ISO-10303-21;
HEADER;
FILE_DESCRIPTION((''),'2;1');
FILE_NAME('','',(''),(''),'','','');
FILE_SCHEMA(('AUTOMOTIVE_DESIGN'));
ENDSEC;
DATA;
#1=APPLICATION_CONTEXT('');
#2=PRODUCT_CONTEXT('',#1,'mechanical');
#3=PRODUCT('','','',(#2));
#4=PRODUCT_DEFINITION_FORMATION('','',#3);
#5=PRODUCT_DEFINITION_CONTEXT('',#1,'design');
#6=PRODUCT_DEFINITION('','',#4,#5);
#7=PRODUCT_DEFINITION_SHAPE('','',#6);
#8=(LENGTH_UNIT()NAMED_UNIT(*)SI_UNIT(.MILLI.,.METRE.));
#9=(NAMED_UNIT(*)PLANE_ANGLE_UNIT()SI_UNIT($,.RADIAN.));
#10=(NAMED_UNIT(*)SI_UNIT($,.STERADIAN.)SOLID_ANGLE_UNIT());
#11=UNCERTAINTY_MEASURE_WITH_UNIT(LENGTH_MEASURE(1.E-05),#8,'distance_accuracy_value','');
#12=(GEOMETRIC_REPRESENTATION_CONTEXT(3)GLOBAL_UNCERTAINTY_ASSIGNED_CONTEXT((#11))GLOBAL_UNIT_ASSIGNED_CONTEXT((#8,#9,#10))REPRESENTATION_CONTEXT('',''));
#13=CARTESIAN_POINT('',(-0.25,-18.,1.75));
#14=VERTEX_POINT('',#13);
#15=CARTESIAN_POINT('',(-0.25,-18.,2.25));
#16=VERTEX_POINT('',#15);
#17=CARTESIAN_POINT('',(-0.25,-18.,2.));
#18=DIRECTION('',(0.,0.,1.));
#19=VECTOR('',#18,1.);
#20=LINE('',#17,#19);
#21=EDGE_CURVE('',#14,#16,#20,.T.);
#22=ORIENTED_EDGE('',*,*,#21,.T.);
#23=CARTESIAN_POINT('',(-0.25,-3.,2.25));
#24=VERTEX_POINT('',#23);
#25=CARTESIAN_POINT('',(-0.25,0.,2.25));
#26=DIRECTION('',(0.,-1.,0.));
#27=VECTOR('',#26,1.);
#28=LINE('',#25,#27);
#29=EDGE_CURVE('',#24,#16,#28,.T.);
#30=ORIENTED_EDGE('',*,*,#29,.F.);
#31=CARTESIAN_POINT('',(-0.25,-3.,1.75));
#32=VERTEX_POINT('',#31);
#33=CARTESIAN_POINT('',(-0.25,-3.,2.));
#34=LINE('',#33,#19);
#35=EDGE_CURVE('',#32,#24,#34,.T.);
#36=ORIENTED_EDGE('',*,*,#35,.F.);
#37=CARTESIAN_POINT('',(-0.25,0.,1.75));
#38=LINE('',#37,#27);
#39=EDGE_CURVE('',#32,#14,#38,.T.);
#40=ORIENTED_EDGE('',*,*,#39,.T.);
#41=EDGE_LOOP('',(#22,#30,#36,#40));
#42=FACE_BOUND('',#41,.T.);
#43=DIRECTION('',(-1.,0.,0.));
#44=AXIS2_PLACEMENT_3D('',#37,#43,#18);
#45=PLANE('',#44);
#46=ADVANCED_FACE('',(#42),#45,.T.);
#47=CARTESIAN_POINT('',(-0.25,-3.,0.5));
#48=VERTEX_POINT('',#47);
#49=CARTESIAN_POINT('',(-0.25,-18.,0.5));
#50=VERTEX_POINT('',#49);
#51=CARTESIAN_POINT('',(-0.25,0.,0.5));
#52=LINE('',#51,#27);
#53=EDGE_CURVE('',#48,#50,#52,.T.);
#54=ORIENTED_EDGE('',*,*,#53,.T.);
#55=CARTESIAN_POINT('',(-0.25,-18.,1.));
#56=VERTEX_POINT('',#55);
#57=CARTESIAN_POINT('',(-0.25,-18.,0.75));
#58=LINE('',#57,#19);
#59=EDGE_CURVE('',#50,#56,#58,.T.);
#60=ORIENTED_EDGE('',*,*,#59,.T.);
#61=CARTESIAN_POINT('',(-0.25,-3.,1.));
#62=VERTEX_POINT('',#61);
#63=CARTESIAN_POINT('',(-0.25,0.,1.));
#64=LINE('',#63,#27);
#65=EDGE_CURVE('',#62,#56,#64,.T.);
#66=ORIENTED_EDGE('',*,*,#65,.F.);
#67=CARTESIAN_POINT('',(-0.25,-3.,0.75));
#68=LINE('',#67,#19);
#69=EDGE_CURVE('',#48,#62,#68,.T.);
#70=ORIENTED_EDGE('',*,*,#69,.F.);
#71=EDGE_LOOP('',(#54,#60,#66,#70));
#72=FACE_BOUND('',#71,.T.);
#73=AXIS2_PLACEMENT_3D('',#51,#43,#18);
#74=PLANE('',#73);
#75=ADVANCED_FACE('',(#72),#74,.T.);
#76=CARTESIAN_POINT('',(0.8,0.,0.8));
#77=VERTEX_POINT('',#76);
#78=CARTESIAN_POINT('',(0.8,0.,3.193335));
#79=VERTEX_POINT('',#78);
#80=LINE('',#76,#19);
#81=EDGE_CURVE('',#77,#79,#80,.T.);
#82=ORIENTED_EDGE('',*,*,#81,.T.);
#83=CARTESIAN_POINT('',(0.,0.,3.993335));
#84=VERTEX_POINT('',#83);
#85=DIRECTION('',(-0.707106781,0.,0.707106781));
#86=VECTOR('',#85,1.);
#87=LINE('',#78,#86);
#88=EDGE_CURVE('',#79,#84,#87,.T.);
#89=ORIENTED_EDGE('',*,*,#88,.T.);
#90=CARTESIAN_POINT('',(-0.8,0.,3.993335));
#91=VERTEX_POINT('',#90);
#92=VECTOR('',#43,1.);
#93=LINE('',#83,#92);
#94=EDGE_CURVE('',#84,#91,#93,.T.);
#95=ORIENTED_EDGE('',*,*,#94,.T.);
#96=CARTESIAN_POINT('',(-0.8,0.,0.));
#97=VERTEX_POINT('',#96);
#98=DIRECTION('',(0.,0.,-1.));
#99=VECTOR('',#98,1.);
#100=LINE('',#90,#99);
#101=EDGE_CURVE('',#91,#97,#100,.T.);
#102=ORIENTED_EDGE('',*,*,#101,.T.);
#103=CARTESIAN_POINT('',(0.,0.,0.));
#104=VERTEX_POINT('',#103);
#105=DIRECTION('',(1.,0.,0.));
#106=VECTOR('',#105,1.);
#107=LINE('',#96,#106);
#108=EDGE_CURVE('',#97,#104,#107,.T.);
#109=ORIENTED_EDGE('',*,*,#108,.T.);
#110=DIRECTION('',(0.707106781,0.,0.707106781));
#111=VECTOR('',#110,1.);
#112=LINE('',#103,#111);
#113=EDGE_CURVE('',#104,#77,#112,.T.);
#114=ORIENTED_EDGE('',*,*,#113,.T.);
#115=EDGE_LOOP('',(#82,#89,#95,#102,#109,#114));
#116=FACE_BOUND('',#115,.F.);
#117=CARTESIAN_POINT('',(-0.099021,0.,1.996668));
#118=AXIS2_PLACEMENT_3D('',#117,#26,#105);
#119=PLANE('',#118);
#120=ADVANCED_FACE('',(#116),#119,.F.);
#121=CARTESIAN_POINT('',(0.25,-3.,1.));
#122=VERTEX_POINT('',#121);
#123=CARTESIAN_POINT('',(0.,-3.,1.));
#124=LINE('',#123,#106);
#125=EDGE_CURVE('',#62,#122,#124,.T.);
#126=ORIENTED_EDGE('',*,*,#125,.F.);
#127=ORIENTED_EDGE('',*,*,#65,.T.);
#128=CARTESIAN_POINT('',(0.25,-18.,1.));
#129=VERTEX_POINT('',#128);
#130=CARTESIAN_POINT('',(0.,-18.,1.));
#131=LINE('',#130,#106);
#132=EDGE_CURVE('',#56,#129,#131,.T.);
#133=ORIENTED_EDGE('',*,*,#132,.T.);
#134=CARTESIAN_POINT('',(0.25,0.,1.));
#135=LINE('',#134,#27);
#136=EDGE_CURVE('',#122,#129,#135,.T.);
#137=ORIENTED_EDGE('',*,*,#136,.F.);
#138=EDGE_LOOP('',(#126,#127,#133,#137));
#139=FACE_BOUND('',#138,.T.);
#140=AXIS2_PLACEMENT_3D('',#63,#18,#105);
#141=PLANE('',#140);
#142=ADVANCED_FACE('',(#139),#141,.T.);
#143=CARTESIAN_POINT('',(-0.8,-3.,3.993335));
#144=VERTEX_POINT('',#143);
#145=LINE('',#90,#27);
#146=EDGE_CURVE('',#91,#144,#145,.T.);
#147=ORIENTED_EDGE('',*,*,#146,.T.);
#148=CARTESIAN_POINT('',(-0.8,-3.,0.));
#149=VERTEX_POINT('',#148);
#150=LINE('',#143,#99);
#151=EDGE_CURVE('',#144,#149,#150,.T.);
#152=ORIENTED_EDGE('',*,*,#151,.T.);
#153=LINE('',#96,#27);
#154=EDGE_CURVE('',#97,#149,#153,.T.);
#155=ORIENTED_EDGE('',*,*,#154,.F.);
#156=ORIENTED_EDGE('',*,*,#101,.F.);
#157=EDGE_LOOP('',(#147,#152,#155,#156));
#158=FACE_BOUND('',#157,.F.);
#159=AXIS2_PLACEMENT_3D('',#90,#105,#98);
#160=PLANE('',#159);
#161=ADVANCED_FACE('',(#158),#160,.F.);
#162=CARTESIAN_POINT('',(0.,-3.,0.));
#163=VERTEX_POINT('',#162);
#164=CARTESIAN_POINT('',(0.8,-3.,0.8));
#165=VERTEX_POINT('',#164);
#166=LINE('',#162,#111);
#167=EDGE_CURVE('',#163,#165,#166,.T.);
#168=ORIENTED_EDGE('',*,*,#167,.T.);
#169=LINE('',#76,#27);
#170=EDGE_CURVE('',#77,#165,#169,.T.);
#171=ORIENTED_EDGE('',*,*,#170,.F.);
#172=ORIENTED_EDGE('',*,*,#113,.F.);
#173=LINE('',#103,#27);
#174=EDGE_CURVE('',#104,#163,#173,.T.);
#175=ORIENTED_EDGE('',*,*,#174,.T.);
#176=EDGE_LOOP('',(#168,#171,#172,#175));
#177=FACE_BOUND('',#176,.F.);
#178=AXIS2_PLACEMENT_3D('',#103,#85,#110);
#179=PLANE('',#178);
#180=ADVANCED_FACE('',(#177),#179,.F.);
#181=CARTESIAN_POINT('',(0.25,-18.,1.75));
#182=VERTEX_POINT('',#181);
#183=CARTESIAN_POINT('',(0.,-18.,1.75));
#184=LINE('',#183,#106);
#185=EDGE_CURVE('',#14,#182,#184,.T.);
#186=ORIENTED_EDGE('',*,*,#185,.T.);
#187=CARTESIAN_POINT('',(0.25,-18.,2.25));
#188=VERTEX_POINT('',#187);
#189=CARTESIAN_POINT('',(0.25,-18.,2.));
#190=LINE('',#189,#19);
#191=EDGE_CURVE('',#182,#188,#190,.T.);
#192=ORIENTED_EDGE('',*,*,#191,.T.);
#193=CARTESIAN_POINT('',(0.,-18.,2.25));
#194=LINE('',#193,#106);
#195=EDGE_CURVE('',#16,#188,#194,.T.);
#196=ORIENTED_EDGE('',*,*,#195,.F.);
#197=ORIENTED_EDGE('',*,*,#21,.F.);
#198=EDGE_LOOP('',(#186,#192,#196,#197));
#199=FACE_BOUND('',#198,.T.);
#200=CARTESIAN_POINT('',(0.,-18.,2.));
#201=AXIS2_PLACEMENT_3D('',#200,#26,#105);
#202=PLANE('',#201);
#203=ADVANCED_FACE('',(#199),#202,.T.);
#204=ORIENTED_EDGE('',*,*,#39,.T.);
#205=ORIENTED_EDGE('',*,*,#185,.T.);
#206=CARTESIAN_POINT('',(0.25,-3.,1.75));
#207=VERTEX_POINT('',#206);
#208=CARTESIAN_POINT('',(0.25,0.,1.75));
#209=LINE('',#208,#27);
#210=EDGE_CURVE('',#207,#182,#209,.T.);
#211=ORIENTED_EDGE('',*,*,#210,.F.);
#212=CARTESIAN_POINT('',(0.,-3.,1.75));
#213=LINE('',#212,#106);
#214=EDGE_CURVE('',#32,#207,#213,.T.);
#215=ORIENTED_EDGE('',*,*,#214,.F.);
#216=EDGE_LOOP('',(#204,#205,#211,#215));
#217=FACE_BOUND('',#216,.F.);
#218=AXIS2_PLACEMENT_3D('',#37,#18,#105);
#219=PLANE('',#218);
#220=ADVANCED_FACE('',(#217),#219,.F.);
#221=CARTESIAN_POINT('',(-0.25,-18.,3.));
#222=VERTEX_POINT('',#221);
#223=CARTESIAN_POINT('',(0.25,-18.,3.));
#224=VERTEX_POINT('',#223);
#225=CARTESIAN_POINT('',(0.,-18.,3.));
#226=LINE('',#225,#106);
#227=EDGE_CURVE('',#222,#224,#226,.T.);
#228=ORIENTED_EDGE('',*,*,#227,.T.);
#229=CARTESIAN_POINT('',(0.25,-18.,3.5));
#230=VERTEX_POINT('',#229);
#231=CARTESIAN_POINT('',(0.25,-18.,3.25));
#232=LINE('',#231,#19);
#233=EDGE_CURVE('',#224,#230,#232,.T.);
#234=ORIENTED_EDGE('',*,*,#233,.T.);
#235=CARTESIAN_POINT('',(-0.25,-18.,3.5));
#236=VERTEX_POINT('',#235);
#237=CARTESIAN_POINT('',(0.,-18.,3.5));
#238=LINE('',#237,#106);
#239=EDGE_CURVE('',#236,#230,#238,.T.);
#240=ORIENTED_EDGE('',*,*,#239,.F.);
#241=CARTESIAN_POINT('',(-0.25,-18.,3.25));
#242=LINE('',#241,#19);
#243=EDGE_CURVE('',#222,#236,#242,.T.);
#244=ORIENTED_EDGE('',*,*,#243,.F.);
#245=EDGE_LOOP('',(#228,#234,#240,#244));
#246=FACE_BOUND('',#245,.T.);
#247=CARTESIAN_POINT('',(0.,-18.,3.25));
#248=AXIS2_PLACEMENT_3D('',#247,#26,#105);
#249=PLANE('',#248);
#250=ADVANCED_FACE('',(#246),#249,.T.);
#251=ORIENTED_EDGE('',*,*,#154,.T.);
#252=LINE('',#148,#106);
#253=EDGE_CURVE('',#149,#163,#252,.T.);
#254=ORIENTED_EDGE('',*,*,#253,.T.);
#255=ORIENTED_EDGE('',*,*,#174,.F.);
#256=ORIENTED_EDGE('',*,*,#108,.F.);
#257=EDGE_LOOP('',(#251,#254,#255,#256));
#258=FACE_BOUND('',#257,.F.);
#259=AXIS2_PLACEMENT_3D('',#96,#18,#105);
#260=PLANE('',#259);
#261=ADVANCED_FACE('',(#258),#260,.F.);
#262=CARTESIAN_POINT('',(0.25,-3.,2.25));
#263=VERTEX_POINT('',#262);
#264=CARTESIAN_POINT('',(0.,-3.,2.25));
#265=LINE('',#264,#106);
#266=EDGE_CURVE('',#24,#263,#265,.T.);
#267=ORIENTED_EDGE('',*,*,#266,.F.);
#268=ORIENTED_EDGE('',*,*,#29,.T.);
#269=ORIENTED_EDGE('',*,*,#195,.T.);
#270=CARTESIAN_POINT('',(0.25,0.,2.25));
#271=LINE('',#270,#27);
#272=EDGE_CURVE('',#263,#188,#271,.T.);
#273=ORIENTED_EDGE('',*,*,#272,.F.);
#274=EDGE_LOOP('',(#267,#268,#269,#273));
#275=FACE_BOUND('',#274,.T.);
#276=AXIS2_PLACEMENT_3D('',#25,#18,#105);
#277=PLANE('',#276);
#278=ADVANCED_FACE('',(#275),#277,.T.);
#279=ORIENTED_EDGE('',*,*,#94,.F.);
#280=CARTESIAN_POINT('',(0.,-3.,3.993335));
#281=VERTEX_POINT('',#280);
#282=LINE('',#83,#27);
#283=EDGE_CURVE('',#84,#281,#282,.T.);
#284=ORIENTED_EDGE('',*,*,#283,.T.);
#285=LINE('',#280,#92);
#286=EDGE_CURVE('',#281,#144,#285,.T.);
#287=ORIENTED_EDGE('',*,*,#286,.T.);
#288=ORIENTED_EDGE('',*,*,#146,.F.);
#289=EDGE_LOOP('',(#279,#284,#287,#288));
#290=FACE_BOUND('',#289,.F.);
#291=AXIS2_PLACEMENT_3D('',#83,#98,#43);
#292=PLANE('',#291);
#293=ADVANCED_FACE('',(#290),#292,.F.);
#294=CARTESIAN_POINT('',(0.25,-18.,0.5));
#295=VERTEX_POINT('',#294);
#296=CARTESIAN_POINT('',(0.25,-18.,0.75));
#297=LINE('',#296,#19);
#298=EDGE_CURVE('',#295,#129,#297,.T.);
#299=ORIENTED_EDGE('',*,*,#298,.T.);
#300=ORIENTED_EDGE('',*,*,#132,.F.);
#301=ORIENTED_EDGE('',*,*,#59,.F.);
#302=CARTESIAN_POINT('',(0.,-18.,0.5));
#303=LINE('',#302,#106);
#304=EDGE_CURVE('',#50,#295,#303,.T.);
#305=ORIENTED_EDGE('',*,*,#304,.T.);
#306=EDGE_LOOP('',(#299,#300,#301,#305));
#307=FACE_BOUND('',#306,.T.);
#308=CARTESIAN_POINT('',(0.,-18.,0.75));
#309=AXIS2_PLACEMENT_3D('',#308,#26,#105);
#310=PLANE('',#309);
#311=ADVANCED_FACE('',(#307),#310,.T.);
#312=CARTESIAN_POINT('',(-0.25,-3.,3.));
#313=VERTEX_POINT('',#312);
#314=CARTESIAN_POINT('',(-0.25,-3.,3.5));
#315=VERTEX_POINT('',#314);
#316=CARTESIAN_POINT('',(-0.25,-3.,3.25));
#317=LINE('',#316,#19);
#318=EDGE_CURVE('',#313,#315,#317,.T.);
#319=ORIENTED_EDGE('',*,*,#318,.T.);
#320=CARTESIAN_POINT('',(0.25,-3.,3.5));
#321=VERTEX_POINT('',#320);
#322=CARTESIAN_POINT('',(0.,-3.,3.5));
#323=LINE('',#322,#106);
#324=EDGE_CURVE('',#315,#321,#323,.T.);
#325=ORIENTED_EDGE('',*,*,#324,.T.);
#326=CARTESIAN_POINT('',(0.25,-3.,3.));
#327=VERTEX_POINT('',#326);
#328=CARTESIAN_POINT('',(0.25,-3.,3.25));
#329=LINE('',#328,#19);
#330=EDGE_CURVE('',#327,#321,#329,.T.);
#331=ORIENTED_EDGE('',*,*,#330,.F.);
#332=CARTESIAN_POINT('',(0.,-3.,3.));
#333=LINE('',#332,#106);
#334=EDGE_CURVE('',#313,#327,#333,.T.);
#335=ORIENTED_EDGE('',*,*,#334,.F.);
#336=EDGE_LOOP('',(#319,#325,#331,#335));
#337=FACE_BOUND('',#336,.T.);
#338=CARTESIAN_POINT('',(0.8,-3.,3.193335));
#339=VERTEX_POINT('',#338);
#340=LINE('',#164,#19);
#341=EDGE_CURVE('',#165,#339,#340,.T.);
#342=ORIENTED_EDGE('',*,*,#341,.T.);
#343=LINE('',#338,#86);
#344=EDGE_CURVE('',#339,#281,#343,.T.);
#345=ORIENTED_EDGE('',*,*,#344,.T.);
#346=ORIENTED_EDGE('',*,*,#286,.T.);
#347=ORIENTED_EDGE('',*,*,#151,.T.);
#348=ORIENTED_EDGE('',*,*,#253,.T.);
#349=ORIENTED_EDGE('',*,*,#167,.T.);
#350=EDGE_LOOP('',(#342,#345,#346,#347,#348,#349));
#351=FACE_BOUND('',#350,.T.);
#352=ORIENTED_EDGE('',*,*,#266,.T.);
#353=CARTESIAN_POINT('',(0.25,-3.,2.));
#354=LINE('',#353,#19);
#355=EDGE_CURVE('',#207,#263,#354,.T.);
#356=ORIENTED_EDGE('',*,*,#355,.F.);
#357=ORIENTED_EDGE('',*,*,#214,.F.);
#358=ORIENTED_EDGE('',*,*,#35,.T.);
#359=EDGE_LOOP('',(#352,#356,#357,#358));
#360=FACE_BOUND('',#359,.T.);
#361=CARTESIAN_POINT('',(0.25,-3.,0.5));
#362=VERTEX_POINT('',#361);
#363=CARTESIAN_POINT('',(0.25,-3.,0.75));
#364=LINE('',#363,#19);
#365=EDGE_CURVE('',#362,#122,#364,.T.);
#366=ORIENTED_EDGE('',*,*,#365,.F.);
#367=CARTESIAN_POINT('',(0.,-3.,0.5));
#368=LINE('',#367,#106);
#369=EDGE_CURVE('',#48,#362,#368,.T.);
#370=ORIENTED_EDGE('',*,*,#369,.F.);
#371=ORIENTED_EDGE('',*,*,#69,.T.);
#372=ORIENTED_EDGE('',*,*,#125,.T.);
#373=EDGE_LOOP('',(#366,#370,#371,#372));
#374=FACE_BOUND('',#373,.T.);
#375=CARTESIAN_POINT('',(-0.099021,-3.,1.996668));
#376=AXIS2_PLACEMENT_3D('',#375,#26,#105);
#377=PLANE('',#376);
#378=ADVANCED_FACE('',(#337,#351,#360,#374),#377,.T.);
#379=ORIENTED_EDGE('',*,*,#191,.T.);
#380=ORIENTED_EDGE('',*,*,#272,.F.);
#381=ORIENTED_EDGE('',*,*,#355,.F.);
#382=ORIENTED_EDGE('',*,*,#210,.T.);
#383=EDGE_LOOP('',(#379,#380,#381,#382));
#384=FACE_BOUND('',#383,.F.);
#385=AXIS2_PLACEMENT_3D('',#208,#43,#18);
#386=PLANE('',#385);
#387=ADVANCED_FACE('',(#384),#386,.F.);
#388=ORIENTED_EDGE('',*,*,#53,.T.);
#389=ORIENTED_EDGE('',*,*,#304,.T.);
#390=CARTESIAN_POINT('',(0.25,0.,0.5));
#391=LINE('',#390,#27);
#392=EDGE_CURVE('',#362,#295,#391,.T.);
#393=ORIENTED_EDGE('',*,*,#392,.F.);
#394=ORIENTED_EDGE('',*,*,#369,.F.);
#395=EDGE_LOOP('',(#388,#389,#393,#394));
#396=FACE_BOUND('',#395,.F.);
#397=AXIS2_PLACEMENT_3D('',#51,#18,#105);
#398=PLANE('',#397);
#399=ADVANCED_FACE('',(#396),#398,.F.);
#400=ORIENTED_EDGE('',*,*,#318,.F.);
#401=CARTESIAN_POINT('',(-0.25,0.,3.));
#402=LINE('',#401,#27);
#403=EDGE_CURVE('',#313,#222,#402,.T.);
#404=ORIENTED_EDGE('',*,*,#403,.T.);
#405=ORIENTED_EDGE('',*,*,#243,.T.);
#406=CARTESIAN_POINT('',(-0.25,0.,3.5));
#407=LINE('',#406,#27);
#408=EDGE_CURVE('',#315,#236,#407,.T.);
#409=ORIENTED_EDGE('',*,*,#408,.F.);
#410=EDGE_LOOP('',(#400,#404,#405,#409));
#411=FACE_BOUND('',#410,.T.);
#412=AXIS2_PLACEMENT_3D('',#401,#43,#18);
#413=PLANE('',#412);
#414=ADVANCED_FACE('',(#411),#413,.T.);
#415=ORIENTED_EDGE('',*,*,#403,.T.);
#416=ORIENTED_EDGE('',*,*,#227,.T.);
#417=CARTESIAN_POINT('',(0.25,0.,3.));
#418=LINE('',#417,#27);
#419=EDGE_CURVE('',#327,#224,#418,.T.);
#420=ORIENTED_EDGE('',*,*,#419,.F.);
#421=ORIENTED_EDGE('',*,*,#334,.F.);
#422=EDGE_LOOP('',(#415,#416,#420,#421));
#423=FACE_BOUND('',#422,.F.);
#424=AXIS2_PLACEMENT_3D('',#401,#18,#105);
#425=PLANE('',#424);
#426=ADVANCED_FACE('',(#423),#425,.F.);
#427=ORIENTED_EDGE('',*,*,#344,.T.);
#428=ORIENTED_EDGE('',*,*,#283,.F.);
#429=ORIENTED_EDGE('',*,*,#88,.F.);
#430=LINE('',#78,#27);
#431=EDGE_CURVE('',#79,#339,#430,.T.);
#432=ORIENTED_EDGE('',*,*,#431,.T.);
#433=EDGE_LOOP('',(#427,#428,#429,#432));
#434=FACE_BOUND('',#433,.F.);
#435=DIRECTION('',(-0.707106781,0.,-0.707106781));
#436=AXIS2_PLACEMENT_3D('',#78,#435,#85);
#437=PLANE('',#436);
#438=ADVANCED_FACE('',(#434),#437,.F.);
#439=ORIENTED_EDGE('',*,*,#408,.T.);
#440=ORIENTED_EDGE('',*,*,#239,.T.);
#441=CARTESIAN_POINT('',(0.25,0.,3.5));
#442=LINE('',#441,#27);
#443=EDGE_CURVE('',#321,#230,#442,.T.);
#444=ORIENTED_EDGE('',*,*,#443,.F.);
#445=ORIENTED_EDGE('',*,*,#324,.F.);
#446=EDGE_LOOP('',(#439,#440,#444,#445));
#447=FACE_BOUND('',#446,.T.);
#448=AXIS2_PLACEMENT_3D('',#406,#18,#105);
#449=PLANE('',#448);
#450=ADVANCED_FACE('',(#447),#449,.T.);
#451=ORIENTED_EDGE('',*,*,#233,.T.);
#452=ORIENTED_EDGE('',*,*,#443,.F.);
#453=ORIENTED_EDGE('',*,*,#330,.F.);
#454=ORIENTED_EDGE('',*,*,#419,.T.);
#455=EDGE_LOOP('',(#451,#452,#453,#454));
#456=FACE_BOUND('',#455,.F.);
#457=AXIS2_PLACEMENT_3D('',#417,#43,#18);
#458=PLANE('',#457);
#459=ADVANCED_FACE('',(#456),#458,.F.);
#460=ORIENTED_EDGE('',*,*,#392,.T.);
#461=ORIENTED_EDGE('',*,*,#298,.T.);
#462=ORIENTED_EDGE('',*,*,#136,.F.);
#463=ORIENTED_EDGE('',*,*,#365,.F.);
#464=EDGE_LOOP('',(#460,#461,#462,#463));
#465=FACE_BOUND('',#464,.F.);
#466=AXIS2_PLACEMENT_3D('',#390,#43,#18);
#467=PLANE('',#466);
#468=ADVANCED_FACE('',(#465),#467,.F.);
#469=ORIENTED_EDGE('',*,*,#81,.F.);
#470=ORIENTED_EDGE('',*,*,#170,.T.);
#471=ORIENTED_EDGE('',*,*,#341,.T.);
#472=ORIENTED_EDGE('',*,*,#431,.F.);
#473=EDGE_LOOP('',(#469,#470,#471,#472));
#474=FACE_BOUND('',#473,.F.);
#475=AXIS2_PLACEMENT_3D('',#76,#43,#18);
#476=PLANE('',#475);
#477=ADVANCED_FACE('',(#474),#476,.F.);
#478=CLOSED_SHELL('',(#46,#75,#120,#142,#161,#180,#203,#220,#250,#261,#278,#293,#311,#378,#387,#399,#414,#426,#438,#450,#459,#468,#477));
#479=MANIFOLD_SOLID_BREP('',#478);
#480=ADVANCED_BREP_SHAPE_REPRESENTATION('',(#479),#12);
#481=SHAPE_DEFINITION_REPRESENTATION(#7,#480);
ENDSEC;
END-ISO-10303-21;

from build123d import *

# Parameters (mm, degrees)
F0_W     = 0.5
F0_H     = 0.5
F1_DEPTH = 3
F2_DEPTH = 18


with BuildPart() as f1:
    # F0 (on Front) → F1 (new body)
    with BuildSketch(Plane.XZ):
        Polygon((-0.8, 0), (0, 0), (0.8, 0.8), (0.8, 3.193335), (0, 3.993335), (-0.8, 3.993335), align=None)
        with Locations((0, 0.75)):
            Rectangle(F0_W, F0_H, mode=Mode.SUBTRACT)
        with Locations((0, 2)):
            Rectangle(F0_W, F0_H, mode=Mode.SUBTRACT)
        with Locations((0, 3.25)):
            Rectangle(F0_W, F0_H, mode=Mode.SUBTRACT)
    extrude(amount=F1_DEPTH)

    # F0 (on Front) → F2 (join)
    with BuildSketch(Plane.XZ):
        with Locations((0, 3.25)):
            Rectangle(F0_W, F0_H)
        with Locations((0, 2)):
            Rectangle(F0_W, F0_H)
        with Locations((0, 0.75)):
            Rectangle(F0_W, F0_H)
    extrude(amount=F2_DEPTH)


solid = f1.part
